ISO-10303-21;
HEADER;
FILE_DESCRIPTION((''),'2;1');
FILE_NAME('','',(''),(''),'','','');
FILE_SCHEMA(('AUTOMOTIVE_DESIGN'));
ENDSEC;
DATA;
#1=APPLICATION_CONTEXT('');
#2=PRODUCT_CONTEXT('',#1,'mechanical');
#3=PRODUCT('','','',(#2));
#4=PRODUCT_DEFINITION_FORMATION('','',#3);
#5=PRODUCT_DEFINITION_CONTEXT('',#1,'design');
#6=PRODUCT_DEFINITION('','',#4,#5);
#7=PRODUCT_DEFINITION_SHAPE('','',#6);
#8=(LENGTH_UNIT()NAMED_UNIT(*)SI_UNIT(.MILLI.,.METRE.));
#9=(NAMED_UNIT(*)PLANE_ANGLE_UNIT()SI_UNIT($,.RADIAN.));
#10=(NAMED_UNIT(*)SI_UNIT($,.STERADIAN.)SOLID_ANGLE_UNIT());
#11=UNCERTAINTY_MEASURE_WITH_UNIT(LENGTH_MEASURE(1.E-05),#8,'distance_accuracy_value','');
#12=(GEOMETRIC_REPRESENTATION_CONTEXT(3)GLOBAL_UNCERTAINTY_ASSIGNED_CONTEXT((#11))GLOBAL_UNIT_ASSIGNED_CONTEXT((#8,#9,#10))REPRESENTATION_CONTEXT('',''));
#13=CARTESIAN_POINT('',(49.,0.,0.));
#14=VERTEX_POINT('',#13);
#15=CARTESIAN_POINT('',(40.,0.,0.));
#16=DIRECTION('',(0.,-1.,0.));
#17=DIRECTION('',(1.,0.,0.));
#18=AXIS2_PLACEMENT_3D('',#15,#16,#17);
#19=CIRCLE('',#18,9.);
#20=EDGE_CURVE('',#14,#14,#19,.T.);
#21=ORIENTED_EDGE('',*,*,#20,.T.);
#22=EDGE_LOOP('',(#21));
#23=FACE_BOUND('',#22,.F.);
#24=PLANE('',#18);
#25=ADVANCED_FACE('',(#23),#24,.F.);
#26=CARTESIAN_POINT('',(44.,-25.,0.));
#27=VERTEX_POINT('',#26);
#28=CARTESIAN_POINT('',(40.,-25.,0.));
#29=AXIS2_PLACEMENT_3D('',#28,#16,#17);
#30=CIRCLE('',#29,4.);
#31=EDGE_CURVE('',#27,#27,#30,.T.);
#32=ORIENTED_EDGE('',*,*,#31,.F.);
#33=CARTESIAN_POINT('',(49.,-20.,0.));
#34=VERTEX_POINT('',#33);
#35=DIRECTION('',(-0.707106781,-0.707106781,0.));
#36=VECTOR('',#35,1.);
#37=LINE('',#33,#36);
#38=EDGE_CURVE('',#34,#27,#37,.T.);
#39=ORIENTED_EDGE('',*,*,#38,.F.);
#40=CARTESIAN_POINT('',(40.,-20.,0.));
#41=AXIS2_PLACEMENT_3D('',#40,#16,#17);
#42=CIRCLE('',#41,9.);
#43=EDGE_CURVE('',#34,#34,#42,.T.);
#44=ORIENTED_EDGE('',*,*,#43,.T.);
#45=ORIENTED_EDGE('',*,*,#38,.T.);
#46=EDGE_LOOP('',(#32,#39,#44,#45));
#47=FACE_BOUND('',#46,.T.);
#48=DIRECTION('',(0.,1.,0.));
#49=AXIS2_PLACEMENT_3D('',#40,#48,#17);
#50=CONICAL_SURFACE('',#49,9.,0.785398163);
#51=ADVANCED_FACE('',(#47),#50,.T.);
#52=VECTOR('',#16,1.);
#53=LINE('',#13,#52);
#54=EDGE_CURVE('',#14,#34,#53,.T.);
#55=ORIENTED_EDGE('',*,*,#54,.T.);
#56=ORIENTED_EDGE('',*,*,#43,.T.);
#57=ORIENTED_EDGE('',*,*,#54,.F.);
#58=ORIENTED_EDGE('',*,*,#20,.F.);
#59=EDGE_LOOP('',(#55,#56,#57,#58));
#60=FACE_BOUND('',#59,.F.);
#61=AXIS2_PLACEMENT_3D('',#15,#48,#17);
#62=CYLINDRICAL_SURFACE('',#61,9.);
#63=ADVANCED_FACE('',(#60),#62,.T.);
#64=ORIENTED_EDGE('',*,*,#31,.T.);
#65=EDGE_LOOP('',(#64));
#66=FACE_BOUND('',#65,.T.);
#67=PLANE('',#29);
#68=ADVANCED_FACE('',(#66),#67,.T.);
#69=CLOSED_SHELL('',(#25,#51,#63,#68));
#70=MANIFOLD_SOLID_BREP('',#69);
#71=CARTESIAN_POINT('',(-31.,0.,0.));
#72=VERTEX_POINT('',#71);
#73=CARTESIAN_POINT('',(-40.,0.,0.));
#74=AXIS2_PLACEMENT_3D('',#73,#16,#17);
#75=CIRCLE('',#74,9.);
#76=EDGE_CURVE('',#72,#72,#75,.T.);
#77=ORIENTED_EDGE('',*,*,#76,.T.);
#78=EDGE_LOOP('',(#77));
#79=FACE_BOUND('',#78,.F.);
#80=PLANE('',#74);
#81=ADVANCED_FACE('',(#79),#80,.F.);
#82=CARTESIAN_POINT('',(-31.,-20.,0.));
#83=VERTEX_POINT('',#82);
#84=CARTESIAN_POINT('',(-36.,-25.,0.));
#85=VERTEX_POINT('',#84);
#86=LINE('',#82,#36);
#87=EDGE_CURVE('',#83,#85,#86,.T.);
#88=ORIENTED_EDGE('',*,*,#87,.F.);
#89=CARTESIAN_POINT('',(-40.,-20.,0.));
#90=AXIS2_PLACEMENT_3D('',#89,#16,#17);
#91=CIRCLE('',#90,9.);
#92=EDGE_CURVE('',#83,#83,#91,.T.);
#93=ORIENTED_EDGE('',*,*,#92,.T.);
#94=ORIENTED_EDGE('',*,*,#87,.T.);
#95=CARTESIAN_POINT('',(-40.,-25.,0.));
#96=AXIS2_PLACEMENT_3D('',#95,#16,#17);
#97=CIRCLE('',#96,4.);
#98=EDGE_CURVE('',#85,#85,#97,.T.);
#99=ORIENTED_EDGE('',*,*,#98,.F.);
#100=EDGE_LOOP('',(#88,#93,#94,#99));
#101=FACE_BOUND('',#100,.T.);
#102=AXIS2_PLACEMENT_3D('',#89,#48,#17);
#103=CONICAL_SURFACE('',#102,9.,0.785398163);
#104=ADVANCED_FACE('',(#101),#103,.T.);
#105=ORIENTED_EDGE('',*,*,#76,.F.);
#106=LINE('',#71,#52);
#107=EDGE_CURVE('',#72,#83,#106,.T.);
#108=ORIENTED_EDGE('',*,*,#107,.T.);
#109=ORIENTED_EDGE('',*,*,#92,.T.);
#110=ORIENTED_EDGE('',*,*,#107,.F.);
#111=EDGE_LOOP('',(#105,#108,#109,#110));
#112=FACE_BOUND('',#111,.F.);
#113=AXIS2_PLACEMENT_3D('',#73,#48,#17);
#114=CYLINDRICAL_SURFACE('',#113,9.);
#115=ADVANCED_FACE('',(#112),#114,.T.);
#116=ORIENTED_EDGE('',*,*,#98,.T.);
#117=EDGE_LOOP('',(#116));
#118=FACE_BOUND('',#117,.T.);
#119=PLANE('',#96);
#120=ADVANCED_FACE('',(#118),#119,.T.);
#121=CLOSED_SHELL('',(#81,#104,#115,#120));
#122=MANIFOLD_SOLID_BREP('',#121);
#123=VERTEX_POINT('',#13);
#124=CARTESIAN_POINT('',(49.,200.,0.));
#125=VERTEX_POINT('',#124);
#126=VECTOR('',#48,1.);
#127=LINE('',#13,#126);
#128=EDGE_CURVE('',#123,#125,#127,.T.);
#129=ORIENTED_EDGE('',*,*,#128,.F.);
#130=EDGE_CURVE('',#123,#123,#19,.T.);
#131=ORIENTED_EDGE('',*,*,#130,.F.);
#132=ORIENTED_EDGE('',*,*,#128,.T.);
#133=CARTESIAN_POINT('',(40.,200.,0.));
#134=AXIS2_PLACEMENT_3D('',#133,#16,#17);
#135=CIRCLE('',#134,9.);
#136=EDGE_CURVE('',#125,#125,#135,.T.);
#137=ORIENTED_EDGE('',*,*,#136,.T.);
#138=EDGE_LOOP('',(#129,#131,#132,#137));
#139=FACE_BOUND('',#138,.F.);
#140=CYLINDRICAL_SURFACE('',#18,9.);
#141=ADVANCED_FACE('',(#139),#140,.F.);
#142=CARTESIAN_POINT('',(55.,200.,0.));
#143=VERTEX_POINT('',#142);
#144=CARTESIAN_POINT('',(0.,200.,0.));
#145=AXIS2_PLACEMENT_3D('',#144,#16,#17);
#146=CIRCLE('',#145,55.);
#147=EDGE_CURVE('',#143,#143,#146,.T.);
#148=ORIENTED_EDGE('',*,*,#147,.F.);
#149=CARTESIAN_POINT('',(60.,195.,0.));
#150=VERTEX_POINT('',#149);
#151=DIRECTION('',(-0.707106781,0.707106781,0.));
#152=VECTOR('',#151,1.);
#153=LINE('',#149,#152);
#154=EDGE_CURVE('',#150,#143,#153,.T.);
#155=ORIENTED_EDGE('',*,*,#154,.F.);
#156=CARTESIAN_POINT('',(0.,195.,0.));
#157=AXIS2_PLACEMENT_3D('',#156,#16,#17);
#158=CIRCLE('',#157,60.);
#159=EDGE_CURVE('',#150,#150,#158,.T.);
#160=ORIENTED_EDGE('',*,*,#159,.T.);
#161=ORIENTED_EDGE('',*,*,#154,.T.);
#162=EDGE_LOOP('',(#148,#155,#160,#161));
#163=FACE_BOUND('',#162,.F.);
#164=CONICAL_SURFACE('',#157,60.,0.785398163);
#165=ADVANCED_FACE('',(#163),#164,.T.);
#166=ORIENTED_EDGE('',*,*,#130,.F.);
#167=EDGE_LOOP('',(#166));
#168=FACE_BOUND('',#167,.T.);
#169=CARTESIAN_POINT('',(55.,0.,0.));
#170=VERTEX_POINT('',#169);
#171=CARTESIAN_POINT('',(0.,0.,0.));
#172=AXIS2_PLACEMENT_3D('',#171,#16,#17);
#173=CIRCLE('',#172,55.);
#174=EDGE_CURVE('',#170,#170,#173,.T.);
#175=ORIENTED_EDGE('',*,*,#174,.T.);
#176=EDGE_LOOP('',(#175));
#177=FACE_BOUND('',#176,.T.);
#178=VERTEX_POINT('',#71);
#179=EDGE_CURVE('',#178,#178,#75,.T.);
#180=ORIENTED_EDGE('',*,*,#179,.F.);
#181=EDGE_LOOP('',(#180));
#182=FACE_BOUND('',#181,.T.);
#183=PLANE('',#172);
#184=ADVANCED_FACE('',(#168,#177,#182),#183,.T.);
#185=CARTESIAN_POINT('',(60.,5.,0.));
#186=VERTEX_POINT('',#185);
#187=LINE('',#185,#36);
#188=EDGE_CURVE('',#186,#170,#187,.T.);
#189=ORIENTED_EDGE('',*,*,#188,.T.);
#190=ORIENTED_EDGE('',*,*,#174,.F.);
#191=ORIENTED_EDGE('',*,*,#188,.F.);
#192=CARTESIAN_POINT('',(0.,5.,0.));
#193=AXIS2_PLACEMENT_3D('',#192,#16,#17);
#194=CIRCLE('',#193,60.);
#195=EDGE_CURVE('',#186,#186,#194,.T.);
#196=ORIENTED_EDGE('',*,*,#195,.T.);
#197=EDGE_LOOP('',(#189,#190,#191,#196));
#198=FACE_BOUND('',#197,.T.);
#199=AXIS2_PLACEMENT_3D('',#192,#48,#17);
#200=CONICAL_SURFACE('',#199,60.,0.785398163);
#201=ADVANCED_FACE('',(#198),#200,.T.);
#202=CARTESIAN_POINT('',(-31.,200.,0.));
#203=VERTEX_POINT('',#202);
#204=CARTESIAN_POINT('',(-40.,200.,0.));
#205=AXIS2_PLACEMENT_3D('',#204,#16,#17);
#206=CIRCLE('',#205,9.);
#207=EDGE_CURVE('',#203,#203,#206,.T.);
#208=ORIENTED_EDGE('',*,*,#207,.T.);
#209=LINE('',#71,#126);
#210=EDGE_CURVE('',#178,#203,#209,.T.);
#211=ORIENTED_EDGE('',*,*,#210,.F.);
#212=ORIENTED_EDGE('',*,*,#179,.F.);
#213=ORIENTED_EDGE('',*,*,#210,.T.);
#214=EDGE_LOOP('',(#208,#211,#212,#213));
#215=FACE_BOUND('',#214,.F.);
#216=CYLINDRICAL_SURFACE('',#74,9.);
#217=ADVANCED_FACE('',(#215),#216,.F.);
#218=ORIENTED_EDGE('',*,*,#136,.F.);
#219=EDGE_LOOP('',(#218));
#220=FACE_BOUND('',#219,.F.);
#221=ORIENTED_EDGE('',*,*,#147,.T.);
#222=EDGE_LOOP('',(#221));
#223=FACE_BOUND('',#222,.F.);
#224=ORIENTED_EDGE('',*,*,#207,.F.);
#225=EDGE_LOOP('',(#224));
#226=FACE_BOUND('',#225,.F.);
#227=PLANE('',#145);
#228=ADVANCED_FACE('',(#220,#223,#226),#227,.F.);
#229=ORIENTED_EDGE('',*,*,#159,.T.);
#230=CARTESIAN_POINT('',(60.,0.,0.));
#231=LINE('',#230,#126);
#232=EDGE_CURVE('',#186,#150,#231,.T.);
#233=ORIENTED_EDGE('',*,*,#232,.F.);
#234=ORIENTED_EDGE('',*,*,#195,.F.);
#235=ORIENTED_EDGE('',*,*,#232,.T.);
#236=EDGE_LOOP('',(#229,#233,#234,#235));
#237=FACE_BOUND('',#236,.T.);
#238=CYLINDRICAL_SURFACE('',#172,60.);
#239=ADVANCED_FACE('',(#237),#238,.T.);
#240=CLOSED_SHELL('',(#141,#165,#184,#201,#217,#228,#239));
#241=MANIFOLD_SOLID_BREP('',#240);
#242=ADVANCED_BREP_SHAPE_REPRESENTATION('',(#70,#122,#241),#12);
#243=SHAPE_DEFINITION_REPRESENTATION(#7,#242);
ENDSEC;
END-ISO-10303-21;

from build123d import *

# Parameters (mm, degrees)
F0_R      = 9
F1_DEPTH  = 25
F0_R_2    = 60
F2_DEPTH  = 200
F3_SIZE   = 5
F3_2_SIZE = 5
F4_SIZE   = 5


with BuildPart() as f1:
    # F0 (on Front) → F1 (new body)
    with BuildSketch(Plane.XZ):
        with Locations((-40, 0)):
            Circle(F0_R)
        with Locations((40, 0)):
            Circle(F0_R)
    extrude(amount=F1_DEPTH)

    # F3#2
    f3_2_edges = [f1.edges().sort_by_distance(p)[0] for p in [
        (-49, -25, 0),
    ]]
    chamfer(f3_2_edges, length=F3_2_SIZE)

    # F4
    f4_edges = [f1.edges().sort_by_distance(p)[0] for p in [
        (31, -25, 0),
    ]]
    chamfer(f4_edges, length=F4_SIZE)


with BuildPart() as f2:
    # F0 (on Front) → F2 (new body)
    with BuildSketch(Plane.XZ):
        Circle(F0_R_2)
        with Locations((-40, 0)):
            Circle(F0_R, mode=Mode.SUBTRACT)
        with Locations((40, 0)):
            Circle(F0_R, mode=Mode.SUBTRACT)
    extrude(amount=-F2_DEPTH)

    # F3
    f3_edges = [f2.edges().sort_by_distance(p)[0] for p in [
        (-60, 200, 0),
        (60, 100, 0),
        (-60, 0, 0),
    ]]
    chamfer(f3_edges, length=F3_SIZE)


solid = Compound([f1.part, f2.part])
